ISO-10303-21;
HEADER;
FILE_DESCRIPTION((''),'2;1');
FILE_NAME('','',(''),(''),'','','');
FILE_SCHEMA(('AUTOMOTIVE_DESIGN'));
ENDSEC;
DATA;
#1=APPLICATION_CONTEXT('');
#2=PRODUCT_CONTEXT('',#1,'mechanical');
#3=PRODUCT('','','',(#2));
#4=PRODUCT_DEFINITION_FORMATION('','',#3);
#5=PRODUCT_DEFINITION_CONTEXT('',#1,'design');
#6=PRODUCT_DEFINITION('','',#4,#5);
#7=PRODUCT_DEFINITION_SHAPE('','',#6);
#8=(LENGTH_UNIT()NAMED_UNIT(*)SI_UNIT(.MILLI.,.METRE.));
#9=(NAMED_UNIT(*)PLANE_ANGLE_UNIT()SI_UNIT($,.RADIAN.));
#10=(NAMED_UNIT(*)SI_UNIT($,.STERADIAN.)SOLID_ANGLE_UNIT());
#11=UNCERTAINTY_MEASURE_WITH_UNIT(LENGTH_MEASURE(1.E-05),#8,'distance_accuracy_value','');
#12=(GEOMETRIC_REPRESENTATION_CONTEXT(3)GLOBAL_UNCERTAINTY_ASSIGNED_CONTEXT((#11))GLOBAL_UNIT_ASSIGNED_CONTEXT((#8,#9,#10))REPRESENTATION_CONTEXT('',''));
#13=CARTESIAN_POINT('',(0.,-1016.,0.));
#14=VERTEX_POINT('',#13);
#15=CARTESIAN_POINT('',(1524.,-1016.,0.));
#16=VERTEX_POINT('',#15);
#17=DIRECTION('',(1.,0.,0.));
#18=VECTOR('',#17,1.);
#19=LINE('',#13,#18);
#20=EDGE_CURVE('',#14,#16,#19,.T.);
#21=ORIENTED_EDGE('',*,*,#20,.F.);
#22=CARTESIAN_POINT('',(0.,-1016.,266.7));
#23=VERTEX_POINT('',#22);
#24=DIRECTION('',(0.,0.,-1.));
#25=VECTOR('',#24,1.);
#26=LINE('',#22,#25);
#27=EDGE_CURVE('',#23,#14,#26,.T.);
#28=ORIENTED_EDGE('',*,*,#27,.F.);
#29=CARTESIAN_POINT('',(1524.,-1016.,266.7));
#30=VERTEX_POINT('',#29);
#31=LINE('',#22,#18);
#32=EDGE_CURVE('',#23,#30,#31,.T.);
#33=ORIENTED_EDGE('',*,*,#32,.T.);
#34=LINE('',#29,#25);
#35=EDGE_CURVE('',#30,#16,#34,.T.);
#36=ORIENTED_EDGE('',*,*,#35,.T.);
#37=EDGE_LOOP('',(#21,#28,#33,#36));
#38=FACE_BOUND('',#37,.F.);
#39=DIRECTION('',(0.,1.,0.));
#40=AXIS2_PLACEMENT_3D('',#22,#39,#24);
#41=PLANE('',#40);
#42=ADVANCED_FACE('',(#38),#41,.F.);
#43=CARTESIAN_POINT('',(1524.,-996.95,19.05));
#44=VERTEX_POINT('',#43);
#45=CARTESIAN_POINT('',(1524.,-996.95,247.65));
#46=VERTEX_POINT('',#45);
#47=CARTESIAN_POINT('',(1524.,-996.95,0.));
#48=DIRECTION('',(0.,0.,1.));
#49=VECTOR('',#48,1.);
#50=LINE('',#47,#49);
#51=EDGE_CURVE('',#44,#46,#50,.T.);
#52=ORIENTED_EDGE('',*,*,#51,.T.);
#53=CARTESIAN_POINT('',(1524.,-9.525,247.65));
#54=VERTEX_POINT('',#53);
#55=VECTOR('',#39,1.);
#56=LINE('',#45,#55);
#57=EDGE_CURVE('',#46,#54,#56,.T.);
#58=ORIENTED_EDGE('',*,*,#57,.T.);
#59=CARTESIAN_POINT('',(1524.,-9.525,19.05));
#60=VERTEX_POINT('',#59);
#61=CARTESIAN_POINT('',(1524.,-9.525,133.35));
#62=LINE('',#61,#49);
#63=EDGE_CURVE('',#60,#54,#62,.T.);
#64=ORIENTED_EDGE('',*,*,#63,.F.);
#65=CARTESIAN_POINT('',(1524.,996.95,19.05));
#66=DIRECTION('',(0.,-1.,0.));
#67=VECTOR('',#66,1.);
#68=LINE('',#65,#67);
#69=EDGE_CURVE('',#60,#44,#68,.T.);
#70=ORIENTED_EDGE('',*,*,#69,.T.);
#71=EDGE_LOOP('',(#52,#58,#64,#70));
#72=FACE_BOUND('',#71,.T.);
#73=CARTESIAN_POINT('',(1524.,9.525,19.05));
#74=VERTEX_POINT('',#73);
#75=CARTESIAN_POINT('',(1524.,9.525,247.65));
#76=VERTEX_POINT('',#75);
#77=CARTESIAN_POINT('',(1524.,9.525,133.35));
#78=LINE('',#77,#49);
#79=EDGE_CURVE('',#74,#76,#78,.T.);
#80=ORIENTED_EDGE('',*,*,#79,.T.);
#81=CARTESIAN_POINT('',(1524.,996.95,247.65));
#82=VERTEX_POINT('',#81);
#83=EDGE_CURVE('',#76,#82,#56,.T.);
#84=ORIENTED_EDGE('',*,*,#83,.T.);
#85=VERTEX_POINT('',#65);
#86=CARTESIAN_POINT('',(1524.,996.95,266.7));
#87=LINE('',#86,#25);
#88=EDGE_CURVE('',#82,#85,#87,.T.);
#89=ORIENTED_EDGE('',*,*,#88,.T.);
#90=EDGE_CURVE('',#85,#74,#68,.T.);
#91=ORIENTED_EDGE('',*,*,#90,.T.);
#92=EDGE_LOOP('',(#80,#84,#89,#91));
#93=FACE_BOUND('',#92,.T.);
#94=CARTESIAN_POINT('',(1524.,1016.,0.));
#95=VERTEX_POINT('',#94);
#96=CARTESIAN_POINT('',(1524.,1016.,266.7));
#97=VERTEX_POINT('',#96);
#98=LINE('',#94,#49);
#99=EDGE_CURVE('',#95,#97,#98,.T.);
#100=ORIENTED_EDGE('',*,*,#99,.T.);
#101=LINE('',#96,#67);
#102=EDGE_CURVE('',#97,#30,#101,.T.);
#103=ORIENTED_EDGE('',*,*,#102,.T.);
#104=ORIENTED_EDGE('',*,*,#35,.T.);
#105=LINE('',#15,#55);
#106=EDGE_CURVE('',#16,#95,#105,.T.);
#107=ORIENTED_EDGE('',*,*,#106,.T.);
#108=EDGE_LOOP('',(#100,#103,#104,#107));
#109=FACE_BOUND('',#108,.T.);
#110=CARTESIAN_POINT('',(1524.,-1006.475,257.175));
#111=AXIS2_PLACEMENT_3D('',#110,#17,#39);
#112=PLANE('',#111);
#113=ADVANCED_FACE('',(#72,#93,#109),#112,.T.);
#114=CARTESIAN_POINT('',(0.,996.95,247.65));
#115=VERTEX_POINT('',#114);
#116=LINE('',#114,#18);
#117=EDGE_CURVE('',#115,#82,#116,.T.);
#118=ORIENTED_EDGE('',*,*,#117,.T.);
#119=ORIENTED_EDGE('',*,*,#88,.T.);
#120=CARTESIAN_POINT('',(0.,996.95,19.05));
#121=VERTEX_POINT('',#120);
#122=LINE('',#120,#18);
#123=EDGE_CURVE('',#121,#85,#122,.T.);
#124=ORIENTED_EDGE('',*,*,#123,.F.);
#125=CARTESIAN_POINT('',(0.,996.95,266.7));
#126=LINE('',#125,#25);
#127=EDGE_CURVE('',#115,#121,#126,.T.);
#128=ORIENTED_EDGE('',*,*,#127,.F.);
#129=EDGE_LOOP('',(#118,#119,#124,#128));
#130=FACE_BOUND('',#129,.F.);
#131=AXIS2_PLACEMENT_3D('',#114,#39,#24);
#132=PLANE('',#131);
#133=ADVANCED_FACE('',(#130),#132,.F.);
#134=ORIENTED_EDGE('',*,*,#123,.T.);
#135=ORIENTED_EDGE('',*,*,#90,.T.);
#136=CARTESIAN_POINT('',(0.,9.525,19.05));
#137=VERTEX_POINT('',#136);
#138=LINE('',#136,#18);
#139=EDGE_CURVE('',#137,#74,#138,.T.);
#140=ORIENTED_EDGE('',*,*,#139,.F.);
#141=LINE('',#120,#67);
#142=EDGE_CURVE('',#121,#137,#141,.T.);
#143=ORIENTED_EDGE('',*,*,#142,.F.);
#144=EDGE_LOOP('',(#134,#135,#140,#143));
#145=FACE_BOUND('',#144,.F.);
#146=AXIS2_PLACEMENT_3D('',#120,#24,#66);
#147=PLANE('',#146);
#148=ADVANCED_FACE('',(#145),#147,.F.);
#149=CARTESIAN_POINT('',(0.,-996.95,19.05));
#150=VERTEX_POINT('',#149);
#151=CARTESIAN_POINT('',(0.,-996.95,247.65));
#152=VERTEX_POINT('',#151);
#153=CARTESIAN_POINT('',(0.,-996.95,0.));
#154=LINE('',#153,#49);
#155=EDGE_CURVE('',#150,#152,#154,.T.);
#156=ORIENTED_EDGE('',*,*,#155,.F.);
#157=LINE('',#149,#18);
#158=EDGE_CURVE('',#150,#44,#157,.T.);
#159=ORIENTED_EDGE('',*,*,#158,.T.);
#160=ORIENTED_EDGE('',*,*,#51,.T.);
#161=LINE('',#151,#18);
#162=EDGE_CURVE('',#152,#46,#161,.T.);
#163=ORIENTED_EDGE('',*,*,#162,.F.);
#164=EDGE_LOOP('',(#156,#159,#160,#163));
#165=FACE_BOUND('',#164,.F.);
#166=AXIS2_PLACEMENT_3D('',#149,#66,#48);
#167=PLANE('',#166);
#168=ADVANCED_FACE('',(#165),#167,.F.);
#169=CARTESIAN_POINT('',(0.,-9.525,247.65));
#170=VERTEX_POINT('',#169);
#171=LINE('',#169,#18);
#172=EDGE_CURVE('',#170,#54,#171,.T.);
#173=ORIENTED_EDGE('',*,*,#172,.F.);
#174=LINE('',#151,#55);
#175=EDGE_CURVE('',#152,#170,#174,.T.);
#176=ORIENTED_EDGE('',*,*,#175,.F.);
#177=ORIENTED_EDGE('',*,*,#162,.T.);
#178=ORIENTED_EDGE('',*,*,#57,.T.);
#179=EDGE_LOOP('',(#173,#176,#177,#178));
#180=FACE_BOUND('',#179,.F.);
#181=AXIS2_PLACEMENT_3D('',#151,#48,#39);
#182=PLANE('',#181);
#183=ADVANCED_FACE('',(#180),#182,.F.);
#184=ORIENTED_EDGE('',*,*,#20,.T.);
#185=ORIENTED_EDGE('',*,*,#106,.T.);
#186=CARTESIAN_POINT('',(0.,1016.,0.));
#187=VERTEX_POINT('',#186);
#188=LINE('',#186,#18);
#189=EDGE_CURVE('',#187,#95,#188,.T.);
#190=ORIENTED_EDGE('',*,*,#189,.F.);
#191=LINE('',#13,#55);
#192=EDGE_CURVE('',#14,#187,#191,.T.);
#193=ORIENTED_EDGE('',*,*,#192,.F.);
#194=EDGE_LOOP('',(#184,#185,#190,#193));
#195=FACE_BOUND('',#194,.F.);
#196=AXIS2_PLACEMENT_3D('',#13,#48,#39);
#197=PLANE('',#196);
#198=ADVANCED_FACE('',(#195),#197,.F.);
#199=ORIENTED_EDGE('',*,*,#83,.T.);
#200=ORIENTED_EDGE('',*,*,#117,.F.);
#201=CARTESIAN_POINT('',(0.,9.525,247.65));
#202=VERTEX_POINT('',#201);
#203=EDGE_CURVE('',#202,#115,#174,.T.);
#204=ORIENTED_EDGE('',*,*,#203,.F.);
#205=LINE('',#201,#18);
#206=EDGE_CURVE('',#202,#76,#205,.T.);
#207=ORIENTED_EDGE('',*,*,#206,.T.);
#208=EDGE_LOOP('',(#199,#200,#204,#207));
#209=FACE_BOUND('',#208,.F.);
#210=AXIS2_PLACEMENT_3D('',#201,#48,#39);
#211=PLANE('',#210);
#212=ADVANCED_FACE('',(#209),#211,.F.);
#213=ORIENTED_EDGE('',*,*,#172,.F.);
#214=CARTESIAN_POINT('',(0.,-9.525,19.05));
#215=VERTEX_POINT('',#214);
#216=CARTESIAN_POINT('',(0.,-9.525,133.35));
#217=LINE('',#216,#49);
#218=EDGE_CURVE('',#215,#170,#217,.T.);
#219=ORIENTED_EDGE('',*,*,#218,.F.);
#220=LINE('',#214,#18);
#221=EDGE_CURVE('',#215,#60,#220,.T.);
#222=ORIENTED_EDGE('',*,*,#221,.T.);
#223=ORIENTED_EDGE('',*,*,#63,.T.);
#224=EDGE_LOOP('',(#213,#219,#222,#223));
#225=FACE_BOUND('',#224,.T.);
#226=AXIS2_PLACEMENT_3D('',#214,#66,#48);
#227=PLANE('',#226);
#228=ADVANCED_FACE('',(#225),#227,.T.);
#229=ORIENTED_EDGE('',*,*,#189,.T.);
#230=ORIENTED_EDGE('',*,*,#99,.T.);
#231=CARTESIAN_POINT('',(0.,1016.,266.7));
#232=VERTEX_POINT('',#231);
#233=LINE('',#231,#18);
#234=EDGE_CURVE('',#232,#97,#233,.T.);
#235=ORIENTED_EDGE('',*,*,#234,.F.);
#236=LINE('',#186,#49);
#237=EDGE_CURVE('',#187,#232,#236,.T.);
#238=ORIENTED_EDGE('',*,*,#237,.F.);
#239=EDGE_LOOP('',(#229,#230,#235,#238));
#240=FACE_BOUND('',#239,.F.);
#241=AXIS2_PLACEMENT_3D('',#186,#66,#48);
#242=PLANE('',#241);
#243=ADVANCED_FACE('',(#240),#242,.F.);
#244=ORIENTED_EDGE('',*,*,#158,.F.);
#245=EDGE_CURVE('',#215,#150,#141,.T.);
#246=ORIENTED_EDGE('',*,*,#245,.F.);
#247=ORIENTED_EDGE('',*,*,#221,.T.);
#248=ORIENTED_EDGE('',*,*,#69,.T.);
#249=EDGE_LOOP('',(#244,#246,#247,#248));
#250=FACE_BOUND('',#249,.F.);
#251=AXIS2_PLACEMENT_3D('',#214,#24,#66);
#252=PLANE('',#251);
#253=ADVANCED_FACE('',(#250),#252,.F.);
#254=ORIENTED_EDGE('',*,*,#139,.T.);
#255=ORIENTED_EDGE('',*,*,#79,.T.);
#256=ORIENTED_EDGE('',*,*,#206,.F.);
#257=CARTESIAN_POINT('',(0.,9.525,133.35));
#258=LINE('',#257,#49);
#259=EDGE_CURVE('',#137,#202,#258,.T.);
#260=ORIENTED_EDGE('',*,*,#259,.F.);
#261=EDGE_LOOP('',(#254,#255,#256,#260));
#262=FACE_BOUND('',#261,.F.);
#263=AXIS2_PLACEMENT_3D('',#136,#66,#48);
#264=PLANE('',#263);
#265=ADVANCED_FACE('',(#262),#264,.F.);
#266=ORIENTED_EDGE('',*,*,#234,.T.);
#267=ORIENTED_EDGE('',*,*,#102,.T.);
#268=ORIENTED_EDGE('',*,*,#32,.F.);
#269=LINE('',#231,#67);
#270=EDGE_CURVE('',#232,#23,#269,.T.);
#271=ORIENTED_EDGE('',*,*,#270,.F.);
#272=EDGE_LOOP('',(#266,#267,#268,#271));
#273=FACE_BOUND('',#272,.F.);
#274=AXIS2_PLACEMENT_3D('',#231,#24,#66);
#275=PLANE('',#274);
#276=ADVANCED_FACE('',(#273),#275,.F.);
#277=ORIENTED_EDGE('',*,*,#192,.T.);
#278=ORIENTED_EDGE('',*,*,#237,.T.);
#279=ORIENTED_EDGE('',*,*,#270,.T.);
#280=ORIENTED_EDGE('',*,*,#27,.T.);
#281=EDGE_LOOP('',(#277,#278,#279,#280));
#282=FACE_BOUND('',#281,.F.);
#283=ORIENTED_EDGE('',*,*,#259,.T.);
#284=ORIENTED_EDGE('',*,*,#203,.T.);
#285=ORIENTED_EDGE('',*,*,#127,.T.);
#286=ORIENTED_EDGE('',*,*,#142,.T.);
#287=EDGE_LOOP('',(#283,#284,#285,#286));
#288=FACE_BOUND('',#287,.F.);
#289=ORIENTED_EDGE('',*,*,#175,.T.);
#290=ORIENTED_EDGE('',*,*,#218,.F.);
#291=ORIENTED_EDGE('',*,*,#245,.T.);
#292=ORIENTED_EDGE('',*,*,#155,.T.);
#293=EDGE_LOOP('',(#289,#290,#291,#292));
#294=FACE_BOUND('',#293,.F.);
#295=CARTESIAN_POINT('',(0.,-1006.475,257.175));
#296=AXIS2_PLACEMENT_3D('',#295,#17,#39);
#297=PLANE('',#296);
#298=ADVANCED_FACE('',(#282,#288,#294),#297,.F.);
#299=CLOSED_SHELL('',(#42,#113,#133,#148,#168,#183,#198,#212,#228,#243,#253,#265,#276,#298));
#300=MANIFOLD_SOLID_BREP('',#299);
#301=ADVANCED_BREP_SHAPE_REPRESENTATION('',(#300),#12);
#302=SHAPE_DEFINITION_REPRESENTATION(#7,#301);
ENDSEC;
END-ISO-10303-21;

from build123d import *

# Parameters (mm, degrees)
F0_W     = 19.05
F0_H     = 19.05
F0_H_2   = 228.6
F1_DEPTH = 1524


with BuildPart() as f1:
    # F0 (on Right) → F1 (new body)
    with BuildSketch(Plane.YZ):
        with Locations((-1006.475, 257.175)):
            Rectangle(F0_W, F0_H)
        with Locations((1006.475, 257.175)):
            Rectangle(F0_W, F0_H)
        with Locations((-1006.475, 9.525)):
            Rectangle(F0_W, F0_H)
        with Locations((1006.475, 9.525)):
            Rectangle(F0_W, F0_H)
        with Locations((-1006.475, 133.35)):
            Rectangle(F0_W, F0_H_2)
        with Locations((1006.475, 133.35)):
            Rectangle(F0_W, F0_H_2)
        Polygon((-9.525, 19.05), (-996.95, 19.05), (-996.95, 0), (996.95, 0), (996.95, 19.05), (9.525, 19.05), align=None)
        Polygon((996.95, 266.7), (-996.95, 266.7), (-996.95, 247.65), (-9.525, 247.65), (9.525, 247.65), (996.95, 247.65), align=None)
        with Locations((0, 133.35)):
            Rectangle(F0_W, F0_H_2)
    extrude(amount=F1_DEPTH)


solid = f1.part
